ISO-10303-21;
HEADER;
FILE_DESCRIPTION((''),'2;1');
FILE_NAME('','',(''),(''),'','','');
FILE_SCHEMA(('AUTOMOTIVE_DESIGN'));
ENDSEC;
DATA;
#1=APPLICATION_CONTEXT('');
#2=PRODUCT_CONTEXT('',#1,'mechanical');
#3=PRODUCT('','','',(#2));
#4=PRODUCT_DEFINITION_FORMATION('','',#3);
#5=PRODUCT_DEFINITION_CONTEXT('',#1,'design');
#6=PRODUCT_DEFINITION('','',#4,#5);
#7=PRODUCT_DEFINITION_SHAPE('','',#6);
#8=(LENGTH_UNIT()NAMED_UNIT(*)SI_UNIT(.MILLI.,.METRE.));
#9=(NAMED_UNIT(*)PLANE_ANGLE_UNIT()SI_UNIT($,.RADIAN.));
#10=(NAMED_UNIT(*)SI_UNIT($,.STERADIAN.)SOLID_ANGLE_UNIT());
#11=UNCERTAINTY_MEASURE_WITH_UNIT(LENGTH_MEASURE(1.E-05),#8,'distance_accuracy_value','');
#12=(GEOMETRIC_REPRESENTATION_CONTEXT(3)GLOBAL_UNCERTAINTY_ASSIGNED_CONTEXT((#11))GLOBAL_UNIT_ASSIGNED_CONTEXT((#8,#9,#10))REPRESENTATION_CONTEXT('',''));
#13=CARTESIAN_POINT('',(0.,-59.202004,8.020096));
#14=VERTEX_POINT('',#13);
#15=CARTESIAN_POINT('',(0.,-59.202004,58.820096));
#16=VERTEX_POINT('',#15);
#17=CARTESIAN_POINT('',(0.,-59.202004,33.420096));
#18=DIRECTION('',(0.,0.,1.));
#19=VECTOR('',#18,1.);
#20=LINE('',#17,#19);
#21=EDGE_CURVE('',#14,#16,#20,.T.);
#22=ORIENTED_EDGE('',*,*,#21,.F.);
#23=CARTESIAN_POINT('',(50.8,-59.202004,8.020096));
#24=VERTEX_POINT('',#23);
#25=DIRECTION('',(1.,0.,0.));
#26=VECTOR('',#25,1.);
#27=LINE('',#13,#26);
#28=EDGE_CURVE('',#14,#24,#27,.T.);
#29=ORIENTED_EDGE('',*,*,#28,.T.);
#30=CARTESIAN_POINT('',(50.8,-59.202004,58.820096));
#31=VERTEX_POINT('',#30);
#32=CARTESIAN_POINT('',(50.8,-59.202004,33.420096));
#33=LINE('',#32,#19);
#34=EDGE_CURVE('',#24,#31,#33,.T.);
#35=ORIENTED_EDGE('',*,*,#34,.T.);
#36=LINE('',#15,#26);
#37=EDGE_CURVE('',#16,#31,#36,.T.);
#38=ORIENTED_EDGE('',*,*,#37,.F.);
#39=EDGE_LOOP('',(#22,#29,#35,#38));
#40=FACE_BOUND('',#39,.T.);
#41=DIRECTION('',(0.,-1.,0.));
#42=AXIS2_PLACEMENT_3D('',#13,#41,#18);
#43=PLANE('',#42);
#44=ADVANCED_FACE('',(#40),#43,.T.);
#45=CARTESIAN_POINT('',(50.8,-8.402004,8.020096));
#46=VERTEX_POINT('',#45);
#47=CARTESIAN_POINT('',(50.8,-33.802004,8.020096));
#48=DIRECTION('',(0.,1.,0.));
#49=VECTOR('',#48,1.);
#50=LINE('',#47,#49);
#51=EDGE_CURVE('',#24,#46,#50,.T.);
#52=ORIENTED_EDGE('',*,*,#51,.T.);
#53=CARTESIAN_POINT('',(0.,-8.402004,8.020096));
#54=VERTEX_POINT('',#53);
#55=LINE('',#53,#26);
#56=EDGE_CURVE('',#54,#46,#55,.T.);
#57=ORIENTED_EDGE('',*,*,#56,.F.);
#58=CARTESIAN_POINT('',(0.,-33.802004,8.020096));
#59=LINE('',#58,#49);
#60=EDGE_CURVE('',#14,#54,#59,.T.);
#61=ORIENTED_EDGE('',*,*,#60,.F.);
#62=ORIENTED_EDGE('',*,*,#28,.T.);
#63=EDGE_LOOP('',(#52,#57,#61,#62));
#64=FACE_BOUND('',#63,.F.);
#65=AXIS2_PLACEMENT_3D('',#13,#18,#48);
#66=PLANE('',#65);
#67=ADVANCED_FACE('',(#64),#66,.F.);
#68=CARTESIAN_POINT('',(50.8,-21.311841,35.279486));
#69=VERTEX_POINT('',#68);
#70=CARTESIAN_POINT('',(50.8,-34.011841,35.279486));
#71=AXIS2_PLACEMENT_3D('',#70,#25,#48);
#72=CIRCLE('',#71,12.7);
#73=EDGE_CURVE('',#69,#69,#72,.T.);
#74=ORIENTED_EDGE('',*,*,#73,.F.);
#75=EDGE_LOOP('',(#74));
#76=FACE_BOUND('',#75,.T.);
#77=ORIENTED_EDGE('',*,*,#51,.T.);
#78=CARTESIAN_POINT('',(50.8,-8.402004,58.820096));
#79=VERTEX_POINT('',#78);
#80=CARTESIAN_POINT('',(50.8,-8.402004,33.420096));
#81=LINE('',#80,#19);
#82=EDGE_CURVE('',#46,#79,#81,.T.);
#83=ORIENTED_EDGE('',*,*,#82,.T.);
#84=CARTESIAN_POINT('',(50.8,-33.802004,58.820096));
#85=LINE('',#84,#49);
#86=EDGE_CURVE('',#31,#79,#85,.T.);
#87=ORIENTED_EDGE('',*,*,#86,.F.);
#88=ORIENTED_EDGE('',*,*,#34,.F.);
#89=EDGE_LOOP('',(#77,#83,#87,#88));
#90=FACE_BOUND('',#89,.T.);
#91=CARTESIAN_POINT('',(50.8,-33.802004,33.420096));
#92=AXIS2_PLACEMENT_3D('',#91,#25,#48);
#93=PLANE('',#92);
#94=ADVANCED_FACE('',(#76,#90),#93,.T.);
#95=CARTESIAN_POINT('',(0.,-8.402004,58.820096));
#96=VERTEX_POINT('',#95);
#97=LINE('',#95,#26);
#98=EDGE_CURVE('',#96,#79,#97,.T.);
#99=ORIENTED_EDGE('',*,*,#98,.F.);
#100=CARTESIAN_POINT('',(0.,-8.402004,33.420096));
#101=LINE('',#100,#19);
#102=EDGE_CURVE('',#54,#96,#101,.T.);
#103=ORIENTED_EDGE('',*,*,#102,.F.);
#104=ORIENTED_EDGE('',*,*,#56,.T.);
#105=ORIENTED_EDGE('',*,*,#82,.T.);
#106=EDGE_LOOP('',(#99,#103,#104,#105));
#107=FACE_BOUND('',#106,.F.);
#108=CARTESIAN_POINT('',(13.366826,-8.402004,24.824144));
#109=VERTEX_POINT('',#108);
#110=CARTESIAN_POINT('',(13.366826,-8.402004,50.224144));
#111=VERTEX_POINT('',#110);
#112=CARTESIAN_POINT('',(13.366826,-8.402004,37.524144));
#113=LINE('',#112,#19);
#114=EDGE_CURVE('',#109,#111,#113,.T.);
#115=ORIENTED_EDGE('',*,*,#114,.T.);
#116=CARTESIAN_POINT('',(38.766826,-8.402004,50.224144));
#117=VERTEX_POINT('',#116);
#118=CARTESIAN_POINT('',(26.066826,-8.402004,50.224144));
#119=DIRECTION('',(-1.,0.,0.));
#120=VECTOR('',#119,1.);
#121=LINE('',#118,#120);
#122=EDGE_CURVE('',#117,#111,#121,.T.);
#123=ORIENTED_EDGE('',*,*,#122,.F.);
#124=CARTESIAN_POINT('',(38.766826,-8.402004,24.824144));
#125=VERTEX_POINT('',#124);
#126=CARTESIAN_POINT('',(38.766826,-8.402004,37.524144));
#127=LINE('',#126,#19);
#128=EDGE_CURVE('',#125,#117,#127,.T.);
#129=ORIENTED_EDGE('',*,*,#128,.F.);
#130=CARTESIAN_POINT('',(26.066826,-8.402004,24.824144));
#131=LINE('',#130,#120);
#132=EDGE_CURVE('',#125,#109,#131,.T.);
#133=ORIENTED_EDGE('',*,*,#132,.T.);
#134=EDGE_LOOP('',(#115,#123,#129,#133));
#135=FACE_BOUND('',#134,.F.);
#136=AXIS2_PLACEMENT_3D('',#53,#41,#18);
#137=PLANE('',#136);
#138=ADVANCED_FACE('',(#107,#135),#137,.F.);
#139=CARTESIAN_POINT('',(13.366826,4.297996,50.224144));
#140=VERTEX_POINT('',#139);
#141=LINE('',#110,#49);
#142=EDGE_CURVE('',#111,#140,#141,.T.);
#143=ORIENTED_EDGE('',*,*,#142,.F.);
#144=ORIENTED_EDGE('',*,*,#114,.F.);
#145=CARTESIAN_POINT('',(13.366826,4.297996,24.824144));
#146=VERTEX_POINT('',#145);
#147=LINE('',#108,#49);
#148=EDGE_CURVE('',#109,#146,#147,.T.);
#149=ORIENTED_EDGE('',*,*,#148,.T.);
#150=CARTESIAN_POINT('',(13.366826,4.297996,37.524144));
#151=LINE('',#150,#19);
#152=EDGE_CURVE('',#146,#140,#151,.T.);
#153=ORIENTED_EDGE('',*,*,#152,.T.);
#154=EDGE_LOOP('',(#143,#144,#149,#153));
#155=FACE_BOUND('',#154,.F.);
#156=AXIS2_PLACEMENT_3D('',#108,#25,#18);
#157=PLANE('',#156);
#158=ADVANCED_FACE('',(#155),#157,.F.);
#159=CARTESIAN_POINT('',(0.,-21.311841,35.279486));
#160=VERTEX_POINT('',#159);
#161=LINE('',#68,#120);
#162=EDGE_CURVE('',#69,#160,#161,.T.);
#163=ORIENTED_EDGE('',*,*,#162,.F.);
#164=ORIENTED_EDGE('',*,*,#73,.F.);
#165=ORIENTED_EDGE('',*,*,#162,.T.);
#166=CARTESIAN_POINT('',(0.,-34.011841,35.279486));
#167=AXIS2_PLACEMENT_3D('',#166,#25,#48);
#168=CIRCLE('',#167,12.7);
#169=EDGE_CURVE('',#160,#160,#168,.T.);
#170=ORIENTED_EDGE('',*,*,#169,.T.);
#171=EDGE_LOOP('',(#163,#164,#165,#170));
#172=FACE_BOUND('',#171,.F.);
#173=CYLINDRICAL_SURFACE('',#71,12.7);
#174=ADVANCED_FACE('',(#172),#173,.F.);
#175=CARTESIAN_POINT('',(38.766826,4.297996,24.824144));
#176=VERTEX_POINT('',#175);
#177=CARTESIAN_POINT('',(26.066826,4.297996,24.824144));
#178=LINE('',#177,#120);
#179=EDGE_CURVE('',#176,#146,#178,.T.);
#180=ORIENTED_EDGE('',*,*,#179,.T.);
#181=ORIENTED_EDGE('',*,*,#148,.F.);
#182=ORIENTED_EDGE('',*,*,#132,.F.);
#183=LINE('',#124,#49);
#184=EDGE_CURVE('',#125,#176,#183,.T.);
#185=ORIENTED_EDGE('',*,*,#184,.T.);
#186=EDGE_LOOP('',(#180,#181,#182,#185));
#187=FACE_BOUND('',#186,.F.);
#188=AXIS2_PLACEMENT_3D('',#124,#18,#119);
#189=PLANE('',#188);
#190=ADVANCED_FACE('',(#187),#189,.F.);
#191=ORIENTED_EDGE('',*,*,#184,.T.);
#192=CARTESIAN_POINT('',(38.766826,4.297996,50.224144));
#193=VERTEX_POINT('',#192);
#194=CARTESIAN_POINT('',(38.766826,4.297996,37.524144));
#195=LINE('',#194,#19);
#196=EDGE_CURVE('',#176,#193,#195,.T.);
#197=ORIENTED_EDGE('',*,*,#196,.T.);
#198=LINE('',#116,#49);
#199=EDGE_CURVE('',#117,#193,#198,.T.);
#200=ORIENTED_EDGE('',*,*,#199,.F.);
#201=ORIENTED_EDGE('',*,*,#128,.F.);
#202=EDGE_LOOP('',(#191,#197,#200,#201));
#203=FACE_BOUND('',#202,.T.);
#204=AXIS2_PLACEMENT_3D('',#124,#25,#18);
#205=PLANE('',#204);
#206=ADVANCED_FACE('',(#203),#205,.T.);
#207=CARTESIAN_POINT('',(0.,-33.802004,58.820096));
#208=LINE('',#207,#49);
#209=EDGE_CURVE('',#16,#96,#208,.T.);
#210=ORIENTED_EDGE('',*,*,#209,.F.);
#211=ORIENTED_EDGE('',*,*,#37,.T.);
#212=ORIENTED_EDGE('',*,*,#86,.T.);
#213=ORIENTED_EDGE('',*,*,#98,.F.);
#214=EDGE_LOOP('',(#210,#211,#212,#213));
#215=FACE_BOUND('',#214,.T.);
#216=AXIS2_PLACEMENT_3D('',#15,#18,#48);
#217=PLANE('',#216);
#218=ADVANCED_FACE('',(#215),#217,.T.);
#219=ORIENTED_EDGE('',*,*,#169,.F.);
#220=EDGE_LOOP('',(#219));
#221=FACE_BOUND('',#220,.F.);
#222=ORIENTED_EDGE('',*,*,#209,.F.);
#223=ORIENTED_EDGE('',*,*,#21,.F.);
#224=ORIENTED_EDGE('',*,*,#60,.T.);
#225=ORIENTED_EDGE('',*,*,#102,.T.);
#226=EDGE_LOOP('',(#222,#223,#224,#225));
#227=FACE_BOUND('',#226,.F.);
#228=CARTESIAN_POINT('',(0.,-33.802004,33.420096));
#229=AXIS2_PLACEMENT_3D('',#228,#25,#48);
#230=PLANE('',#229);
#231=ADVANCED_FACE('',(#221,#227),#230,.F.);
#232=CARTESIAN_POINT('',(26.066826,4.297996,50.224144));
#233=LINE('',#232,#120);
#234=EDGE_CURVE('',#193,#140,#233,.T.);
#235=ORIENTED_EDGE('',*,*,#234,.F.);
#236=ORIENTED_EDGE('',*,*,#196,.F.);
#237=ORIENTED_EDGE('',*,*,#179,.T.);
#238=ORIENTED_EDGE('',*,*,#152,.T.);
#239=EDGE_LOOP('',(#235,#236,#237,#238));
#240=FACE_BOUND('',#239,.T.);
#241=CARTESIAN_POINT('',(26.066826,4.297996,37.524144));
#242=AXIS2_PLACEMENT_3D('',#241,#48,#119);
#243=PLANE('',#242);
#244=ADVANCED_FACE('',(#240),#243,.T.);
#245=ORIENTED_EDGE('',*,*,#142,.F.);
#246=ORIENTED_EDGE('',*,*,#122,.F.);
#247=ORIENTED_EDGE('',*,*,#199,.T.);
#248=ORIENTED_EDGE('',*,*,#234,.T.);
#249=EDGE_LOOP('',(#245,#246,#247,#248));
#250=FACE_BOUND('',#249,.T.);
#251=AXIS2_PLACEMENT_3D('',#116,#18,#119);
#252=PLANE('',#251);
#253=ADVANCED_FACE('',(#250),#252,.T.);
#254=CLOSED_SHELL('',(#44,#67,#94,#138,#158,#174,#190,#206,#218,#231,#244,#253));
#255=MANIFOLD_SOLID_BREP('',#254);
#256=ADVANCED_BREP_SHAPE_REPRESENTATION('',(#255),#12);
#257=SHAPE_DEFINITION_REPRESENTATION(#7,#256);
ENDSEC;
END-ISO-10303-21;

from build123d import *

# Parameters (mm, degrees)
F0_W     = 50.8
F0_H     = 50.8
F1_DEPTH = 50.8
F2_R     = 12.7
F3_DEPTH = 50.8
F4_W     = 25.4
F4_H     = 25.4
F5_DEPTH = 12.7


with BuildPart() as f1:
    # F0 (on Right) → F1 (new body)
    with BuildSketch(Plane.YZ):
        with Locations((-33.802004, 33.420096)):
            Rectangle(F0_W, F0_H)
    extrude(amount=F1_DEPTH)

    # F2 (on face) → F3 (cut)
    with BuildSketch(Plane.YZ.offset(50.8)):
        with Locations((-34.011841, 35.279486)):
            Circle(F2_R)
    extrude(amount=-F3_DEPTH, mode=Mode.SUBTRACT)

    # F4 (on face) → F5 (join)
    with BuildSketch(Plane(origin=(0, -8.402004, 0), x_dir=(-1, 0, 0), z_dir=(0, 1, 0))):
        with Locations((-26.066826, 37.524144)):
            Rectangle(F4_W, F4_H)
    extrude(amount=F5_DEPTH)


solid = f1.part
